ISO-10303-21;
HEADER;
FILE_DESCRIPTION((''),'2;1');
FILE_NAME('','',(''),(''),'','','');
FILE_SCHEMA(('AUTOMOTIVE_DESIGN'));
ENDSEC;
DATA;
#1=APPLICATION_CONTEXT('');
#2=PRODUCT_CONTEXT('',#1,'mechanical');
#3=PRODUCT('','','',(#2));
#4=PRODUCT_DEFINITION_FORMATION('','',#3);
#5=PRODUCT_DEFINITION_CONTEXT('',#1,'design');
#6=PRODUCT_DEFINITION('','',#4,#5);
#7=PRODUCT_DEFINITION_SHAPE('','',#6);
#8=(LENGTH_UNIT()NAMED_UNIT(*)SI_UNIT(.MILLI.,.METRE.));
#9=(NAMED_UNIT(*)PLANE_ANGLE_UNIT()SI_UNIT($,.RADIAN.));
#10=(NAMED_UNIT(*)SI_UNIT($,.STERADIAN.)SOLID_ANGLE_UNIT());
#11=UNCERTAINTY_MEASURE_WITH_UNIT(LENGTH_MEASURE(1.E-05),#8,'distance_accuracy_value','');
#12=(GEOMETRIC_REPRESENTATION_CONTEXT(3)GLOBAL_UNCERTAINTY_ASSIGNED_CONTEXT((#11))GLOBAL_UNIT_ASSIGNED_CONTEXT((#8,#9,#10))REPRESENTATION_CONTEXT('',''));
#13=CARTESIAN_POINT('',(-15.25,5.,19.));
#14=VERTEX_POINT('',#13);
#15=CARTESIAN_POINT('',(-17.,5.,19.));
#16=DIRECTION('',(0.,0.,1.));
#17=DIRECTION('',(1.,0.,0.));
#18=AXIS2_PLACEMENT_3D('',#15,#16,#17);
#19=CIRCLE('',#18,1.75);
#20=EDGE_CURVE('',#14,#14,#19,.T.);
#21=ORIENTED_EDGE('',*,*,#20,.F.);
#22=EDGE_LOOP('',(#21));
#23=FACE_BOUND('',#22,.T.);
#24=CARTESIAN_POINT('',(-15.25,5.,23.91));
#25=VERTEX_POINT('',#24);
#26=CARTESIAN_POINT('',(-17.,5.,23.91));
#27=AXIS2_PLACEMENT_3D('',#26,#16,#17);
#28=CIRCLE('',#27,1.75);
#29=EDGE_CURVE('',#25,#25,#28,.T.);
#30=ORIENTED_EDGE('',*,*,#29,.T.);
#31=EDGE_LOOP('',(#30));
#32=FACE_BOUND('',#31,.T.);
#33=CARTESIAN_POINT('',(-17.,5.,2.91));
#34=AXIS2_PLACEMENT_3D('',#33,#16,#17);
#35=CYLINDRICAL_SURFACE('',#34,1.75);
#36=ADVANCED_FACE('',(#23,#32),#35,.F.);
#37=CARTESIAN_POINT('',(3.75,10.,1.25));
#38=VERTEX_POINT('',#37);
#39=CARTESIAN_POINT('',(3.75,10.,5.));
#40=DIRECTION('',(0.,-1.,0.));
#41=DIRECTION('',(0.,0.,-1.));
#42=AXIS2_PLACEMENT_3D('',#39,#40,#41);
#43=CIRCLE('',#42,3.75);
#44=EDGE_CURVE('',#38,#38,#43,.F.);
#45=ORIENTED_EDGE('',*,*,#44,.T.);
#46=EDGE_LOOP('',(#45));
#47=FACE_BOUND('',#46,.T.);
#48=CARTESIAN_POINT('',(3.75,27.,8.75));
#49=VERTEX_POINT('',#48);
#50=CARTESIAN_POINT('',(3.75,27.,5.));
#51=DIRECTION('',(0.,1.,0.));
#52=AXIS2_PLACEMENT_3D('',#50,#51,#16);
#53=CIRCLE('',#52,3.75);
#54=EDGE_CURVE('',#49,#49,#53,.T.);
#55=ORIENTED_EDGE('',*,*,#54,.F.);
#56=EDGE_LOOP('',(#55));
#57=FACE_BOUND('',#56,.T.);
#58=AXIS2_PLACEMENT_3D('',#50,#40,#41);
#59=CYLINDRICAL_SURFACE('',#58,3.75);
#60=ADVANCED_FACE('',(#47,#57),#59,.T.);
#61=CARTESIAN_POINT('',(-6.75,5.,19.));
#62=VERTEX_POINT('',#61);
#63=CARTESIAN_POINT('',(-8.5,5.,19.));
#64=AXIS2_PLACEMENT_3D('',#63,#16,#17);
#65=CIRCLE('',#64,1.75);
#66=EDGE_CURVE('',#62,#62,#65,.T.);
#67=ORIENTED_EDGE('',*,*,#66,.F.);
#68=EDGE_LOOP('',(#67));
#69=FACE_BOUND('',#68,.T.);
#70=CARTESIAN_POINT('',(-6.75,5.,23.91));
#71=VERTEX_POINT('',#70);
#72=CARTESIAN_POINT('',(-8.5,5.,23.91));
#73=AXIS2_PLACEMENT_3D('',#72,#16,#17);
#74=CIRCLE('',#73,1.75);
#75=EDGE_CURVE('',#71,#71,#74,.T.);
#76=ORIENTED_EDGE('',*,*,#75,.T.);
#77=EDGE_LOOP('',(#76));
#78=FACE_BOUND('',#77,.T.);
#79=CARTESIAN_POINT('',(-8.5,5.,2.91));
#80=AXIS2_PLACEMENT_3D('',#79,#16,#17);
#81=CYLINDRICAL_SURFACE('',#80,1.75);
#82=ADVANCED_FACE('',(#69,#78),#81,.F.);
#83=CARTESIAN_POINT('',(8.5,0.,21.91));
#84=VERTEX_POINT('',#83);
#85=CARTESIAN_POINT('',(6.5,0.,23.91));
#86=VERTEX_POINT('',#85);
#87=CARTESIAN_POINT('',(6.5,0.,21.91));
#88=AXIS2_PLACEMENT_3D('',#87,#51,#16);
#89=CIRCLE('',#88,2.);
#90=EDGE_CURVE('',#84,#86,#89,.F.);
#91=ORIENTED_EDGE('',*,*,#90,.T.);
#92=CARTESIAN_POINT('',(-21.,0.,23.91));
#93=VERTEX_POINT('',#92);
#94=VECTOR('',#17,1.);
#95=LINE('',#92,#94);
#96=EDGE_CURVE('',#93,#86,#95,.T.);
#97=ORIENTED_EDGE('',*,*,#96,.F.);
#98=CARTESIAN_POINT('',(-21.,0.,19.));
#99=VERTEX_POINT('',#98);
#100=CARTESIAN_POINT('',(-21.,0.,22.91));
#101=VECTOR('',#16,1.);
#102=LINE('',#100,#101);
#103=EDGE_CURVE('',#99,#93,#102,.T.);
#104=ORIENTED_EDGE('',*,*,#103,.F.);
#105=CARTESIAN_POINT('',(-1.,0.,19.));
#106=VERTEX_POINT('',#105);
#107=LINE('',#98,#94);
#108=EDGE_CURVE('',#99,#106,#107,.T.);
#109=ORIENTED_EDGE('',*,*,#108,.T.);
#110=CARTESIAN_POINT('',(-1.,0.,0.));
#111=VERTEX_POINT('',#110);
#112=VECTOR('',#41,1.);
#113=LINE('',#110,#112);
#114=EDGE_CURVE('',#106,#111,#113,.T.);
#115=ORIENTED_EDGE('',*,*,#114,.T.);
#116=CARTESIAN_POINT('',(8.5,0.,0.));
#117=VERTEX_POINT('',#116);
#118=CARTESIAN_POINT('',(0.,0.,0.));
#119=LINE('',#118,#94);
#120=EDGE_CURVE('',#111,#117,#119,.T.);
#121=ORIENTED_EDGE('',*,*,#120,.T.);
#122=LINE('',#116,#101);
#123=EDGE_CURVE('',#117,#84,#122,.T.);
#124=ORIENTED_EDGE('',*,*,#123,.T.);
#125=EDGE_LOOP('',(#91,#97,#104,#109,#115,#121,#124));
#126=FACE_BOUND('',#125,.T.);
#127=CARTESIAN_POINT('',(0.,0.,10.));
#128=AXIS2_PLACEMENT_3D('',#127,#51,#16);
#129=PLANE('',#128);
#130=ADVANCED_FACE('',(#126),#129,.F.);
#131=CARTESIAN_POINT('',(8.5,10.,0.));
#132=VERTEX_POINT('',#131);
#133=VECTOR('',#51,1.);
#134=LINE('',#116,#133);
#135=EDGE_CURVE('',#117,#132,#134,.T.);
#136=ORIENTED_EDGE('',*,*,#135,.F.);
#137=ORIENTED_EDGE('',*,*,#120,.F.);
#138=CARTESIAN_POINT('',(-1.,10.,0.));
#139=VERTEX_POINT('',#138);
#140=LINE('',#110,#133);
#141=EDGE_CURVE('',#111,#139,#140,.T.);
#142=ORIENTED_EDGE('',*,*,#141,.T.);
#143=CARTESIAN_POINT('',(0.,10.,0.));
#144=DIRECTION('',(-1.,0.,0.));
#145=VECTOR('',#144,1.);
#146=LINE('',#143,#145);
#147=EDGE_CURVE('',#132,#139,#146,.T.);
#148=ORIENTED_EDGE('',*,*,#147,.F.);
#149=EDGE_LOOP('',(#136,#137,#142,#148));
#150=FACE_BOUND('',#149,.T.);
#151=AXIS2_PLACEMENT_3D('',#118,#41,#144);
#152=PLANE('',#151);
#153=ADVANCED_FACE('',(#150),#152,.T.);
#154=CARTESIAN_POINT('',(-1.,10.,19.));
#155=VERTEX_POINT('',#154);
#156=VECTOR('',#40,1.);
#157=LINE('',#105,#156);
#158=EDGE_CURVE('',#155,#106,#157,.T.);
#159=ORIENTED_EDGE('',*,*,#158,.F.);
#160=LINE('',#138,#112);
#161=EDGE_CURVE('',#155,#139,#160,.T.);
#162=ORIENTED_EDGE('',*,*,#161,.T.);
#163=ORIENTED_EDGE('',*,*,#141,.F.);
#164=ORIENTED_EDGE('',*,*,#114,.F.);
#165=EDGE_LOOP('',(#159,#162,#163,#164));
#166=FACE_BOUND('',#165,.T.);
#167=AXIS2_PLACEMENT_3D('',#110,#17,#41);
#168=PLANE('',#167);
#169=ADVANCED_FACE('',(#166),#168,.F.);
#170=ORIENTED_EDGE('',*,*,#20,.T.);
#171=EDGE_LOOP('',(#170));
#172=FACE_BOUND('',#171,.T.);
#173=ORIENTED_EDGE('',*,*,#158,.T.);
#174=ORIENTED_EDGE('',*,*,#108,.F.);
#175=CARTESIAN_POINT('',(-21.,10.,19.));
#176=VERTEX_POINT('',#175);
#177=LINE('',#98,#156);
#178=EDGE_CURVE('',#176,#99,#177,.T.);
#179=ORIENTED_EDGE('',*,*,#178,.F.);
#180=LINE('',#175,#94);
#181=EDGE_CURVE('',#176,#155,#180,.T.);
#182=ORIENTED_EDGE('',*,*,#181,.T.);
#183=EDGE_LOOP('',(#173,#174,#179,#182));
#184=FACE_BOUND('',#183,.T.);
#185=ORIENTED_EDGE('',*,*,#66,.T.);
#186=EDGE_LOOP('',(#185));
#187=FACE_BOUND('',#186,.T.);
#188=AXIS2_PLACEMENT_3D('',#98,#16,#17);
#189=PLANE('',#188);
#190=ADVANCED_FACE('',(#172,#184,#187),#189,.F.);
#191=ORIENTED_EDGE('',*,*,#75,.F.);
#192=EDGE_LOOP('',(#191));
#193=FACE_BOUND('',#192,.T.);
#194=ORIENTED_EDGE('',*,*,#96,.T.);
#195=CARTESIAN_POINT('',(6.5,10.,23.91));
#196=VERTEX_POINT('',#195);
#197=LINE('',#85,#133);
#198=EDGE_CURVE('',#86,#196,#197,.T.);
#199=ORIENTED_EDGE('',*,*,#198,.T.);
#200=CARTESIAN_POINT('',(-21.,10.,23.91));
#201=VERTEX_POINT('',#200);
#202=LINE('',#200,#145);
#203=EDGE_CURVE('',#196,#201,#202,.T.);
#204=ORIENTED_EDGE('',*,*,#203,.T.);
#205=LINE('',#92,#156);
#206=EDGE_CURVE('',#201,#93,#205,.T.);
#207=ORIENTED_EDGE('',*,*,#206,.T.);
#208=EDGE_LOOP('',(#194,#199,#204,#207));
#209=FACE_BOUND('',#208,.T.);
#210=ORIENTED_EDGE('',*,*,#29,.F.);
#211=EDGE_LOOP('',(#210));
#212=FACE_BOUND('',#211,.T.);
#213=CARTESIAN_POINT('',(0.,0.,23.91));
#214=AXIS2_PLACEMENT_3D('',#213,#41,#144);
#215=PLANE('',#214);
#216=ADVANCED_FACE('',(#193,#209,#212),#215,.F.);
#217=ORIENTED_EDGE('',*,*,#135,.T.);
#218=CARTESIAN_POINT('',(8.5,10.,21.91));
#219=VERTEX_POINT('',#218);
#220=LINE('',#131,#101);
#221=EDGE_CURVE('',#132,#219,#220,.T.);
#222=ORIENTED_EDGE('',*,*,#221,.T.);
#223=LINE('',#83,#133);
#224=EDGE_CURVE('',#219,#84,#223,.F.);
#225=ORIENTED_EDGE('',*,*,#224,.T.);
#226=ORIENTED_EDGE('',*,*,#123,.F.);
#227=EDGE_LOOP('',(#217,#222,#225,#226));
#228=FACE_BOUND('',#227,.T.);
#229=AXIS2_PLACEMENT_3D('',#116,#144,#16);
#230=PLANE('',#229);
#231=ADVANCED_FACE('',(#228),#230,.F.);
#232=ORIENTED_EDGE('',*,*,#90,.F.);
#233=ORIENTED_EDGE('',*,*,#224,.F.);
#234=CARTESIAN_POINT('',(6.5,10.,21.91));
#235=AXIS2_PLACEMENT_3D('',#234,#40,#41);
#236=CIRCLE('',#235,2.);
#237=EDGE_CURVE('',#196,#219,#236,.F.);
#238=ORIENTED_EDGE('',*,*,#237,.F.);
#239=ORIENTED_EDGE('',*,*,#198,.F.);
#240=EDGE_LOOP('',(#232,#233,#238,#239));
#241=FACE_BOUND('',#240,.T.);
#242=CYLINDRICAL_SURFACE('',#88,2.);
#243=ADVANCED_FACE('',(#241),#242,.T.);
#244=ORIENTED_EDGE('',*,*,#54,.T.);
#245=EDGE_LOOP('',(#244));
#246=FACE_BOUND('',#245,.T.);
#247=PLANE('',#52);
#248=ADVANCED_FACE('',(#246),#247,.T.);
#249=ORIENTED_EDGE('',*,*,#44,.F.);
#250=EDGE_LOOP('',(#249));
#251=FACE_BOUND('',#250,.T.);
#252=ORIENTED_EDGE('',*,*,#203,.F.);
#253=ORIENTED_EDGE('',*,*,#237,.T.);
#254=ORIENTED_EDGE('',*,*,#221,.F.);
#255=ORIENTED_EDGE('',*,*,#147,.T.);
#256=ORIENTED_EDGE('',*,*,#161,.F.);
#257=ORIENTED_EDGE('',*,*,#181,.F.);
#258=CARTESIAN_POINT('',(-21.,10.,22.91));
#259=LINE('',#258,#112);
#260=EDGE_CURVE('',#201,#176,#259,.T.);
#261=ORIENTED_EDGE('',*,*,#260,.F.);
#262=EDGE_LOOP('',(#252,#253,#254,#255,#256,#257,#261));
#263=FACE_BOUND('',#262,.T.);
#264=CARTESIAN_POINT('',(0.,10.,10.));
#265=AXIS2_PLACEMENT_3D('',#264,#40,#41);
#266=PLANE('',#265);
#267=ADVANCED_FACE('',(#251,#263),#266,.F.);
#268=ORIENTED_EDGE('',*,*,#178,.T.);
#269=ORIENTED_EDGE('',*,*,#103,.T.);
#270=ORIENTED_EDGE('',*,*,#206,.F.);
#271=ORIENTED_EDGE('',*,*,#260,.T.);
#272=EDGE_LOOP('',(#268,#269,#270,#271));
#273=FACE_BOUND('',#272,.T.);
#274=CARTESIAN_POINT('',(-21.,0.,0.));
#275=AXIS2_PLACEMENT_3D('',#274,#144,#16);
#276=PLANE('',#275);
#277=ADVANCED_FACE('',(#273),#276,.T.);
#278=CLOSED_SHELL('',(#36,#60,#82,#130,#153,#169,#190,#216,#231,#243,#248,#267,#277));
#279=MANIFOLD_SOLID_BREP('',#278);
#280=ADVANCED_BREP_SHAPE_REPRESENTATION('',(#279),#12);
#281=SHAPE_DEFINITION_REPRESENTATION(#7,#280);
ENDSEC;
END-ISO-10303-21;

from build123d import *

# Parameters (mm, degrees)
SKETCH1_W           = 12.5
SKETCH1_H           = 10
BOSS_EXTRUDE1_DEPTH = 10
SKETCH2_W           = 10
SKETCH2_H           = 10
BOSS_EXTRUDE2_DEPTH = 5
SKETCH3_R           = 3.75
BOSS_EXTRUDE3_DEPTH = 17
SKETCH4_W           = 4
SKETCH4_H           = 10
CUT_EXTRUDE1_DEPTH  = 11
SKETCH5_W           = 9.5
SKETCH5_H           = 10
BOSS_EXTRUDE4_DEPTH = 12.5
SKETCH6_W           = 5
SKETCH6_H           = 10
BOSS_EXTRUDE5_DEPTH = 30
SKETCH7_R           = 1.75
CUT_EXTRUDE2_DEPTH  = 23.5
SKETCH8_W           = 30
SKETCH8_H           = 5
CUT_EXTRUDE4_DEPTH  = 10
SKETCH10_W          = 9.5
SKETCH10_H          = 10
CUT_EXTRUDE6_DEPTH  = 3.49
SKETCH11_W          = 9.5
SKETCH11_H          = 10
BOSS_EXTRUDE6_DEPTH = 3.9
SKETCH12_W          = 4
SKETCH12_H          = 10
BOSS_EXTRUDE7_DEPTH = 20
SKETCH13_W          = 20
SKETCH13_H          = 0.09
CUT_EXTRUDE7_DEPTH  = 28
SKETCH14_R          = 1.75
CUT_EXTRUDE8_DEPTH  = 23.91
SKETCH15_W          = 20
SKETCH15_H          = 3.91
CUT_EXTRUDE9_DEPTH  = 11
SKETCH16_W          = 3.91
SKETCH16_H          = 10
BOSS_EXTRUDE8_DEPTH = 20
SKETCH17_R          = 1.75
CUT_EXTRUDE10_DEPTH = 20
SKETCH18_W          = 29.5
SKETCH18_H          = 10
SKETCH18_R          = 1.75
BOSS_EXTRUDE9_DEPTH = 1
FILLET1_R           = 2


with BuildPart() as part:
    # Sketch1 → Boss-Extrude1 (new body)
    with BuildSketch(Plane.XY):
        with Locations((6.25, 5)):
            Rectangle(SKETCH1_W, SKETCH1_H)
    extrude(amount=BOSS_EXTRUDE1_DEPTH)

    # Sketch2 → Boss-Extrude2 (add)
    with BuildSketch(Plane.ZY):
        with Locations((5, 5)):
            Rectangle(SKETCH2_W, SKETCH2_H)
    extrude(amount=BOSS_EXTRUDE2_DEPTH)

    # Sketch3 → Boss-Extrude3 (add)
    with BuildSketch(Plane(origin=(0, 10, 0), x_dir=(1, 0, 0), z_dir=(0, 1, 0))):
        with Locations((3.75, -5)):
            Circle(SKETCH3_R)
    extrude(amount=BOSS_EXTRUDE3_DEPTH)

    # Sketch4 → Cut-Extrude1 (cut, through all)
    with BuildSketch(Plane(origin=(0, 10, 0), x_dir=(1, 0, 0), z_dir=(0, 1, 0))):
        with Locations((10.5, -5)):
            Rectangle(SKETCH4_W, SKETCH4_H)
        with Locations((-3, -5)):
            Rectangle(SKETCH4_W, SKETCH4_H)
    extrude(amount=-CUT_EXTRUDE1_DEPTH, mode=Mode.SUBTRACT)

    # Sketch5 → Boss-Extrude4 (add)
    with BuildSketch(Plane.XY.offset(10)):
        with Locations((3.75, 5)):
            Rectangle(SKETCH5_W, SKETCH5_H)
    extrude(amount=BOSS_EXTRUDE4_DEPTH)

    # Sketch6 → Boss-Extrude5 (add)
    with BuildSketch(Plane(origin=(8.5, 0, 0), x_dir=(0, 0, -1), z_dir=(1, 0, 0))):
        with Locations((-20, 5)):
            Rectangle(SKETCH6_W, SKETCH6_H)
    extrude(amount=BOSS_EXTRUDE5_DEPTH)

    # Sketch7 → Cut-Extrude2 (cut, through all)
    with BuildSketch(Plane.XY.offset(22.5)):
        with Locations((22.5, 5)):
            Circle(SKETCH7_R)
        with Locations((33.5, 5)):
            Circle(SKETCH7_R)
    extrude(amount=-CUT_EXTRUDE2_DEPTH, mode=Mode.SUBTRACT)

    # Sketch8 → Cut-Extrude4 (cut)
    with BuildSketch(Plane(origin=(0, 10, 0), x_dir=(1, 0, 0), z_dir=(0, 1, 0))):
        with Locations((23.5, -20)):
            Rectangle(SKETCH8_W, SKETCH8_H)
    extrude(amount=-CUT_EXTRUDE4_DEPTH, mode=Mode.SUBTRACT)

    # Sketch10 → Cut-Extrude6 (cut)
    with BuildSketch(Plane.XY.offset(22.5)):
        with Locations((3.75, 5)):
            Rectangle(SKETCH10_W, SKETCH10_H)
    extrude(amount=-CUT_EXTRUDE6_DEPTH, mode=Mode.SUBTRACT)

    # Sketch11 → Boss-Extrude6 (add)
    with BuildSketch(Plane.XY.offset(19.01)):
        with Locations((3.75, 5)):
            Rectangle(SKETCH11_W, SKETCH11_H)
    extrude(amount=BOSS_EXTRUDE6_DEPTH)

    # Sketch12 → Boss-Extrude7 (add)
    with BuildSketch(Plane(origin=(8.5, 0, 0), x_dir=(0, 0, -1), z_dir=(1, 0, 0))):
        with Locations((-20.91, 5)):
            Rectangle(SKETCH12_W, SKETCH12_H)
    extrude(amount=BOSS_EXTRUDE7_DEPTH)

    # Sketch13 → Cut-Extrude7 (cut, through all)
    with BuildSketch(Plane(origin=(0, 0, 0), x_dir=(-1, 0, 0), z_dir=(0, -1, 0))):
        with Locations((-18.5, -18.955)):
            Rectangle(SKETCH13_W, SKETCH13_H)
    extrude(amount=-CUT_EXTRUDE7_DEPTH, mode=Mode.SUBTRACT)

    # Sketch14 → Cut-Extrude8 (cut, through all)
    with BuildSketch(Plane.XY.offset(22.91)):
        with Locations((16, 5)):
            Circle(SKETCH14_R)
        with Locations((24.5, 5)):
            Circle(SKETCH14_R)
    extrude(amount=-CUT_EXTRUDE8_DEPTH, mode=Mode.SUBTRACT)

    # Sketch15 → Cut-Extrude9 (cut, through all)
    with BuildSketch(Plane(origin=(0, 10, 0), x_dir=(1, 0, 0), z_dir=(0, 1, 0))):
        with Locations((18.5, -20.955)):
            Rectangle(SKETCH15_W, SKETCH15_H)
    extrude(amount=-CUT_EXTRUDE9_DEPTH, mode=Mode.SUBTRACT)

    # Sketch16 → Boss-Extrude8 (add)
    with BuildSketch(Plane.ZY.offset(1)):
        with Locations((20.955, 5)):
            Rectangle(SKETCH16_W, SKETCH16_H)
    extrude(amount=BOSS_EXTRUDE8_DEPTH)

    # Sketch17 → Cut-Extrude10 (cut)
    with BuildSketch(Plane.XY.offset(22.91)):
        with Locations((-17, 5)):
            Circle(SKETCH17_R)
        with Locations((-8.5, 5)):
            Circle(SKETCH17_R)
    extrude(amount=-CUT_EXTRUDE10_DEPTH, mode=Mode.SUBTRACT)

    # Sketch18 → Boss-Extrude9 (add)
    with BuildSketch(Plane.XY.offset(22.91)):
        with Locations((-6.25, 5)):
            Rectangle(SKETCH18_W, SKETCH18_H)
        with Locations((-17, 5)):
            Circle(SKETCH18_R, mode=Mode.SUBTRACT)
        with Locations((-8.5, 5)):
            Circle(SKETCH18_R, mode=Mode.SUBTRACT)
    extrude(amount=BOSS_EXTRUDE9_DEPTH)

    # Fillet1
    fillet1_edges = [part.edges().sort_by_distance(p)[0] for p in [
        (8.5, 5, 23.91),
    ]]
    fillet(fillet1_edges, radius=FILLET1_R)


solid = part.part
